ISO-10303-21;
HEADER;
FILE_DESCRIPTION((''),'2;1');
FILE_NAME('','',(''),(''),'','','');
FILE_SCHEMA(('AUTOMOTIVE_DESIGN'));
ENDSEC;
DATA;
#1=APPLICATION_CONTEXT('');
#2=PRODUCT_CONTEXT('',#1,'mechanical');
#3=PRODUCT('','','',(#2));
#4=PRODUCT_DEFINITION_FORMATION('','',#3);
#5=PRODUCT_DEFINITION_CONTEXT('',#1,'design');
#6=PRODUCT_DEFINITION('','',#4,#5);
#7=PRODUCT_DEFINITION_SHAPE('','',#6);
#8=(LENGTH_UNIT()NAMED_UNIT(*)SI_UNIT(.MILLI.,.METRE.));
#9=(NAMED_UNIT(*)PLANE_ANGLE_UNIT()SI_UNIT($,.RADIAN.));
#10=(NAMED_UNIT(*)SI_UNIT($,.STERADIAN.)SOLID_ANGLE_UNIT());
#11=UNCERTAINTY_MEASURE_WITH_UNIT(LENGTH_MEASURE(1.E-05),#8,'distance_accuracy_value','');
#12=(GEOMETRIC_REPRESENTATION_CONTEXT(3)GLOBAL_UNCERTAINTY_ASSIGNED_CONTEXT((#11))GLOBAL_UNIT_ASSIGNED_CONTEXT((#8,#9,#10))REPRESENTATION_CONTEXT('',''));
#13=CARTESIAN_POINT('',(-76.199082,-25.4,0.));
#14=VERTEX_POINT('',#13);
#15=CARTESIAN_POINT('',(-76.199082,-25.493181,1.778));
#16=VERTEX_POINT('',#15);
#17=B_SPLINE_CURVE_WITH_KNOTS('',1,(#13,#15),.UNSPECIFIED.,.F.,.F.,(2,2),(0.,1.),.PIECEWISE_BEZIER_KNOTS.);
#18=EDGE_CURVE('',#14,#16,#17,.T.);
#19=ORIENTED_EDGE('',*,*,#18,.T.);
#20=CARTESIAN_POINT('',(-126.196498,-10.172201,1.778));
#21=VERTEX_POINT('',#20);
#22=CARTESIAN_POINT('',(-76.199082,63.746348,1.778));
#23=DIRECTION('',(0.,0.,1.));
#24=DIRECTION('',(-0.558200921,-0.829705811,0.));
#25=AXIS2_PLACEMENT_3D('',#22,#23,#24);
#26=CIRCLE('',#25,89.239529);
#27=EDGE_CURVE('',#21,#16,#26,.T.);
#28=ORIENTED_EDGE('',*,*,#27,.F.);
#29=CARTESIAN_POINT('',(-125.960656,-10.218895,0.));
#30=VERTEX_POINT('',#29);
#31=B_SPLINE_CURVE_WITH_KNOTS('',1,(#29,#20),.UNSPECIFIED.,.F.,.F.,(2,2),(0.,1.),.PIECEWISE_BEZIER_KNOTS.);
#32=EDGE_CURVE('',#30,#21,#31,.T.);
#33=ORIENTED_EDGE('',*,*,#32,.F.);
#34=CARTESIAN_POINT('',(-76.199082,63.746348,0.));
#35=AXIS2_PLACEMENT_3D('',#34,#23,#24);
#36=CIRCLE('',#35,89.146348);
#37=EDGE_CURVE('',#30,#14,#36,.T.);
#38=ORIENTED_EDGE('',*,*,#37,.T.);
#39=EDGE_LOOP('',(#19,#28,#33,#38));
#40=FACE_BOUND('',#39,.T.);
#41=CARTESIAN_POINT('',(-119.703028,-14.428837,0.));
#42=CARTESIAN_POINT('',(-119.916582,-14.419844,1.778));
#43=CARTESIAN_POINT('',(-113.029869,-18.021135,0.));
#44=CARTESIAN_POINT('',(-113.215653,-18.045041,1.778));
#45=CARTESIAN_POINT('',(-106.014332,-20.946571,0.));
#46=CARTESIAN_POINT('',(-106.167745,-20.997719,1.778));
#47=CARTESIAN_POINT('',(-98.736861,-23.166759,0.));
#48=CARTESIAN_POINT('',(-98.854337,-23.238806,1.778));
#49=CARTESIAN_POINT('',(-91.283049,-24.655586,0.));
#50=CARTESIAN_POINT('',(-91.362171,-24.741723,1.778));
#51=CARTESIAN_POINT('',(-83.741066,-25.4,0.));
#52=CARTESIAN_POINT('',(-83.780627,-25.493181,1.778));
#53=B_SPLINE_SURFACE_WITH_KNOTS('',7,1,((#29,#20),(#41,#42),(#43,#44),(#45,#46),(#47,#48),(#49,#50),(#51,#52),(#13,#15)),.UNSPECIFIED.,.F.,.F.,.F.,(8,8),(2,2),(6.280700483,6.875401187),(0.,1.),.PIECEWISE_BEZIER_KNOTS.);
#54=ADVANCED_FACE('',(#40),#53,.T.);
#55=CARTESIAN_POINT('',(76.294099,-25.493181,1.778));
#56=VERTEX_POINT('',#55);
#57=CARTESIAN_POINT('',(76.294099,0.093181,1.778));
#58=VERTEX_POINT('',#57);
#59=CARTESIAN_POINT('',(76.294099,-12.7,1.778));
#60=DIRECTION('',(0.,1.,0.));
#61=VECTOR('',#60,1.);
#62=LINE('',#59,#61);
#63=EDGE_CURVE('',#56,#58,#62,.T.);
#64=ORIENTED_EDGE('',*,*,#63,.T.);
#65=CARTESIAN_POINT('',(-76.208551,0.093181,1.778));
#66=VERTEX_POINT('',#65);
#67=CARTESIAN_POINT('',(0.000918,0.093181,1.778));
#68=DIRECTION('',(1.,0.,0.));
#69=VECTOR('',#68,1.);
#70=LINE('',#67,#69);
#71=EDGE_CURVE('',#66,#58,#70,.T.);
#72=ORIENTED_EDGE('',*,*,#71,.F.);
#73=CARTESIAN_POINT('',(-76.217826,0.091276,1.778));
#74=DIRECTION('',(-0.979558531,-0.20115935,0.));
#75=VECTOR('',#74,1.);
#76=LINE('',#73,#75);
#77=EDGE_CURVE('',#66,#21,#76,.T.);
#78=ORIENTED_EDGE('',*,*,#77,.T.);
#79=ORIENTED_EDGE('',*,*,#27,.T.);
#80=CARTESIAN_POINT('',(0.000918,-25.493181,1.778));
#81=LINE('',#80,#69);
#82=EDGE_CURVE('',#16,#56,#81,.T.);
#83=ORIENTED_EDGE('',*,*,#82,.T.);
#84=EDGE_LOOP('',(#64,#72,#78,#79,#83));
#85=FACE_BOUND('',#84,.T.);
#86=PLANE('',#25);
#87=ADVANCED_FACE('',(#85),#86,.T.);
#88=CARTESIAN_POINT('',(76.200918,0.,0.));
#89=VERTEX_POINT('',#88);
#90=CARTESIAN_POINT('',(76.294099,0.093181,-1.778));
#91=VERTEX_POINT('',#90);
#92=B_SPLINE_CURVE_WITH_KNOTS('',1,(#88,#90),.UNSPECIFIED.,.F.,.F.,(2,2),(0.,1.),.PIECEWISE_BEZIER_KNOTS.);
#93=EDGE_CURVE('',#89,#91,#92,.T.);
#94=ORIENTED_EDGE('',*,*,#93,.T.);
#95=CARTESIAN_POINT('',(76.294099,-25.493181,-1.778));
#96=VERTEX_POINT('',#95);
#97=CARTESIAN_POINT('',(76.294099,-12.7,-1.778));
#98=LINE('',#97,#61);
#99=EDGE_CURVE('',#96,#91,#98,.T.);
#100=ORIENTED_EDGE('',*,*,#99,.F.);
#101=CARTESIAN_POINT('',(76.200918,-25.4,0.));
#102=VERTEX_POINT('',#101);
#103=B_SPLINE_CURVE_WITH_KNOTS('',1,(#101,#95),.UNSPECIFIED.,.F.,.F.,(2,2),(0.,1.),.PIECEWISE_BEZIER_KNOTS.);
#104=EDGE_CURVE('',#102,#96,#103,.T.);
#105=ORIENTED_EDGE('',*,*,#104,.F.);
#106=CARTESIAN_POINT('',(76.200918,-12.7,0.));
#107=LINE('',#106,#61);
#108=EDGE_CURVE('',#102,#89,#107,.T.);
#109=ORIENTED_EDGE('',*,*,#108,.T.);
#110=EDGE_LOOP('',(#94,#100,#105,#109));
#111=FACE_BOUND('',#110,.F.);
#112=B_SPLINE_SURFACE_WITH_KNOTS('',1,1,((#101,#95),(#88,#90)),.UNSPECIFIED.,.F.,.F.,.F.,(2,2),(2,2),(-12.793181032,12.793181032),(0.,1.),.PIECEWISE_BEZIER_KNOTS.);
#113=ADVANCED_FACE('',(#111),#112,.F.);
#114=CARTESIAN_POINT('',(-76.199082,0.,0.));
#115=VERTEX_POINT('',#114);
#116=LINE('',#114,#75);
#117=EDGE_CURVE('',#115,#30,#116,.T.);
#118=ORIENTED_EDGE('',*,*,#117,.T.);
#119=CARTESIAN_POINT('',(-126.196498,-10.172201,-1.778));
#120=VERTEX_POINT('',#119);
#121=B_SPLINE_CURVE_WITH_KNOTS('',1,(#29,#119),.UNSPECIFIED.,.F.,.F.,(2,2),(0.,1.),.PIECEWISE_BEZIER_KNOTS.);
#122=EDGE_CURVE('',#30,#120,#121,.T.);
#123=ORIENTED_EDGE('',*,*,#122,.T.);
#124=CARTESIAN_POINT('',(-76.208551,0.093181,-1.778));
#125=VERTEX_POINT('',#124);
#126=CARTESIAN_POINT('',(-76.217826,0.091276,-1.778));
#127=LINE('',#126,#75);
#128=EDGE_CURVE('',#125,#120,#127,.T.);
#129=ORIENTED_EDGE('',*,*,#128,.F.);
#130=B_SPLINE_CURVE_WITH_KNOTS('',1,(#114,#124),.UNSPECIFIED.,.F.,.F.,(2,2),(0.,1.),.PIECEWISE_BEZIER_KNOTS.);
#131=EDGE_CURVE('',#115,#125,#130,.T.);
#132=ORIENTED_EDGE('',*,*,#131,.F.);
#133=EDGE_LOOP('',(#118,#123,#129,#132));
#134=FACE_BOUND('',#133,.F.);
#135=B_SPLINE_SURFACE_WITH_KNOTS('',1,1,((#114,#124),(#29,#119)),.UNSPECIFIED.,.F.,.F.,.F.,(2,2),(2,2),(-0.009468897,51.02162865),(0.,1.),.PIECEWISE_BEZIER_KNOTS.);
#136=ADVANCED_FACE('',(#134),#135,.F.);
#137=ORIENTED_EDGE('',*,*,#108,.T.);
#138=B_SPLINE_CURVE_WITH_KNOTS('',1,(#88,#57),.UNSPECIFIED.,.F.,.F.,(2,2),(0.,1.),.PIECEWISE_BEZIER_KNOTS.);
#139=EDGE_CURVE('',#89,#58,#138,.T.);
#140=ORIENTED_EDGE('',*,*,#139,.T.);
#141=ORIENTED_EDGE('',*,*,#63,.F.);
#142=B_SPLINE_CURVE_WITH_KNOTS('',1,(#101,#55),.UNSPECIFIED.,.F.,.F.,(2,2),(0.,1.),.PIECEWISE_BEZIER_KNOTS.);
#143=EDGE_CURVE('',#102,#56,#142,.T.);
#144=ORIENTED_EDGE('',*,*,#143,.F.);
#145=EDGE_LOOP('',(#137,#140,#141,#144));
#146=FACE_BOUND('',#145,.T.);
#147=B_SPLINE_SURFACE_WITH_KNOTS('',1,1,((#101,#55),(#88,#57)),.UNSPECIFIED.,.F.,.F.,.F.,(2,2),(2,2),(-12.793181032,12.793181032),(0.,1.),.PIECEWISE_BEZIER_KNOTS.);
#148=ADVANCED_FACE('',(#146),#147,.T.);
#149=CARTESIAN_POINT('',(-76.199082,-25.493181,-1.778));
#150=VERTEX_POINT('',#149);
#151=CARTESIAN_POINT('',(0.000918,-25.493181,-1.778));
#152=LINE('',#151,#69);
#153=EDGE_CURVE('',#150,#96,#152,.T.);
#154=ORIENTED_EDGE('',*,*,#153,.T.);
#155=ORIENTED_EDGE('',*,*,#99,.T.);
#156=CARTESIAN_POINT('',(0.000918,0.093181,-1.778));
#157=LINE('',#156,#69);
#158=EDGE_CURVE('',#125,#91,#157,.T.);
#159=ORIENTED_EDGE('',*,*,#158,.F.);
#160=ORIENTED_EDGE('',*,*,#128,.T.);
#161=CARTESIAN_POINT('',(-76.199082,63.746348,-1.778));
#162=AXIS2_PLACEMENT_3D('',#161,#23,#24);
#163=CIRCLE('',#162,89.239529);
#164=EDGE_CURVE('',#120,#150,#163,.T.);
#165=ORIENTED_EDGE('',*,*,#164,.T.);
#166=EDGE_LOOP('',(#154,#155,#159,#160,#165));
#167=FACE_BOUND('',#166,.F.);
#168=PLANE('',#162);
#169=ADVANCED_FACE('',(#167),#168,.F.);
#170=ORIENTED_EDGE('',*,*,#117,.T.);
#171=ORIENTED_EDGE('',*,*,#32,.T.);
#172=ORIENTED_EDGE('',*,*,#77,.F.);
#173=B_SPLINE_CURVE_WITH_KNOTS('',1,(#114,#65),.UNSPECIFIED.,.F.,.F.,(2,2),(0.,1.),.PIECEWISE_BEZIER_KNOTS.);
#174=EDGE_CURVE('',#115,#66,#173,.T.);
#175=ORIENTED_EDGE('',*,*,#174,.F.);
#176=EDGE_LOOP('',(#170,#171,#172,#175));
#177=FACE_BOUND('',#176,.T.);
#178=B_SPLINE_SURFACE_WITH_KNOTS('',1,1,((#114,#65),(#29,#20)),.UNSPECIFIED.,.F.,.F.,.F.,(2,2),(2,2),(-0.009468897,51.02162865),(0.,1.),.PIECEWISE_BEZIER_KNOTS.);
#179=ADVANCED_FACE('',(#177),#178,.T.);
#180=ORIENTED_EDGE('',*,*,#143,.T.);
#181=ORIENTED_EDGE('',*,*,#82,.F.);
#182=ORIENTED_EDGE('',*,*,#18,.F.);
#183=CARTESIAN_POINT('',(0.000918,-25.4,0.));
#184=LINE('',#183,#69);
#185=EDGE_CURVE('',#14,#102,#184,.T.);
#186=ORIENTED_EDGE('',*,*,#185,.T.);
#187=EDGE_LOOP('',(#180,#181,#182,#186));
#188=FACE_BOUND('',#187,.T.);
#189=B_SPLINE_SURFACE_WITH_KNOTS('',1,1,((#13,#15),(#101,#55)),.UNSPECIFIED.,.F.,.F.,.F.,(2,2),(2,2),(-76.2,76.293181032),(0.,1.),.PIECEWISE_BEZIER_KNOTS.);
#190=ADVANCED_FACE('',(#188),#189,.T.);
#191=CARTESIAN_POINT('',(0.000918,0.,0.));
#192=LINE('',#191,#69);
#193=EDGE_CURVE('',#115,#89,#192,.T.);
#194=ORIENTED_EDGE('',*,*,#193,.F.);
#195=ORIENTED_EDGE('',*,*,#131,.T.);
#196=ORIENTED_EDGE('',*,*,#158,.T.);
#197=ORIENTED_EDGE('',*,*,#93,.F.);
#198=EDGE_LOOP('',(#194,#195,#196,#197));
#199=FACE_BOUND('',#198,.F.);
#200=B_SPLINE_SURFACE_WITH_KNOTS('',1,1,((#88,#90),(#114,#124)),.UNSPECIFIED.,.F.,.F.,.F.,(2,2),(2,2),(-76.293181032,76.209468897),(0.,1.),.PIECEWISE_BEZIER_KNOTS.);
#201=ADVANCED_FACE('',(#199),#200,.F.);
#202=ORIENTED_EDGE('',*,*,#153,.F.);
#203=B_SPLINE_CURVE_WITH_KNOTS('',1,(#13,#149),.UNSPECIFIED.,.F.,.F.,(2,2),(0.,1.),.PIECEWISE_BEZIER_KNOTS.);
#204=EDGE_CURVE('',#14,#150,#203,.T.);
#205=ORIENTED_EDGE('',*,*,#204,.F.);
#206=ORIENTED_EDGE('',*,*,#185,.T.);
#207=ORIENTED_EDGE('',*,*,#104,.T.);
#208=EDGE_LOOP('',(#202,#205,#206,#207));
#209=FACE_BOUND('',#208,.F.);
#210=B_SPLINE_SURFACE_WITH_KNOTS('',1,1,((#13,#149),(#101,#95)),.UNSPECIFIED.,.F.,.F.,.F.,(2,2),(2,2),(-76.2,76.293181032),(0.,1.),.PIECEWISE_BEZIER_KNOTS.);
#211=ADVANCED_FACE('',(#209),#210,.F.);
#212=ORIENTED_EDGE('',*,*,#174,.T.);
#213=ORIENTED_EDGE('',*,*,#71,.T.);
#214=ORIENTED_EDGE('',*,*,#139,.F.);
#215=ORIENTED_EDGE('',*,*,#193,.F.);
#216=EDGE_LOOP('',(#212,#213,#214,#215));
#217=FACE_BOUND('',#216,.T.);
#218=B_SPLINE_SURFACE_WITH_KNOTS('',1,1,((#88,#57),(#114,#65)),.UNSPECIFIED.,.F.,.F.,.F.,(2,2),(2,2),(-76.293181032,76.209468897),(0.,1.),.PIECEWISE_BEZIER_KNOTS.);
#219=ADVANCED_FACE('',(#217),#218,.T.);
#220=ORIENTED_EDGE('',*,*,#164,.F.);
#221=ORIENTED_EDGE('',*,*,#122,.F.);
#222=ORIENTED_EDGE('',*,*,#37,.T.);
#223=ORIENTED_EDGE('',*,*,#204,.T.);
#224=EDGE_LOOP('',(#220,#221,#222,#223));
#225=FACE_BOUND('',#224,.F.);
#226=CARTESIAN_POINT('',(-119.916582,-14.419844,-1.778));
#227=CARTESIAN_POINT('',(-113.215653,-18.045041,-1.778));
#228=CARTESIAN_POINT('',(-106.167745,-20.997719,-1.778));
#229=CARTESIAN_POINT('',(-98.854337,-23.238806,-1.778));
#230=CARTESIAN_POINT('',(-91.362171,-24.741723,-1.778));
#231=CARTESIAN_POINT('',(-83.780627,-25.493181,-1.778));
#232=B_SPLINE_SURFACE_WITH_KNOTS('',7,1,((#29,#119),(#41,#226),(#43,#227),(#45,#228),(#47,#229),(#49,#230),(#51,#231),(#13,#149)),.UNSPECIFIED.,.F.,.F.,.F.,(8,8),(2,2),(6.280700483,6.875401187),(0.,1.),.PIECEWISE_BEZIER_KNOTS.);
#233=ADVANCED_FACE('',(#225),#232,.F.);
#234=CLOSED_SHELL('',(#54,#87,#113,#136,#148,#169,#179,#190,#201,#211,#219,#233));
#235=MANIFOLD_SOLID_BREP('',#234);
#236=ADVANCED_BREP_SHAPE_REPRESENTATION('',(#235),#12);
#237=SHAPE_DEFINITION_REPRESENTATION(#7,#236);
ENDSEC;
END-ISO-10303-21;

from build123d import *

# Parameters (mm, degrees)
F0_W     = 152.4
F0_H     = 25.4
F1_DEPTH = 1.778
F1_TAPER = -3


with BuildPart() as f1:
    # F0 (on Top) → F1 (new body, symmetric)
    with BuildSketch(Plane.XY):
        with Locations((0.0009177437, -12.7)):
            Rectangle(F0_W, F0_H)
        with BuildLine():
            Line((-76.1990822563, -25.4), (-76.1990822563, 0))
            Line((-76.1990822563, 0), (-125.9606556381, -10.2188949775))
            ThreePointArc((-125.9606556381, -10.2188949775), (-102.2119643301, -21.5203003803), (-76.1990822563, -25.4))
        make_face()
    extrude(amount=F1_DEPTH, both=True, taper=F1_TAPER)


solid = f1.part
